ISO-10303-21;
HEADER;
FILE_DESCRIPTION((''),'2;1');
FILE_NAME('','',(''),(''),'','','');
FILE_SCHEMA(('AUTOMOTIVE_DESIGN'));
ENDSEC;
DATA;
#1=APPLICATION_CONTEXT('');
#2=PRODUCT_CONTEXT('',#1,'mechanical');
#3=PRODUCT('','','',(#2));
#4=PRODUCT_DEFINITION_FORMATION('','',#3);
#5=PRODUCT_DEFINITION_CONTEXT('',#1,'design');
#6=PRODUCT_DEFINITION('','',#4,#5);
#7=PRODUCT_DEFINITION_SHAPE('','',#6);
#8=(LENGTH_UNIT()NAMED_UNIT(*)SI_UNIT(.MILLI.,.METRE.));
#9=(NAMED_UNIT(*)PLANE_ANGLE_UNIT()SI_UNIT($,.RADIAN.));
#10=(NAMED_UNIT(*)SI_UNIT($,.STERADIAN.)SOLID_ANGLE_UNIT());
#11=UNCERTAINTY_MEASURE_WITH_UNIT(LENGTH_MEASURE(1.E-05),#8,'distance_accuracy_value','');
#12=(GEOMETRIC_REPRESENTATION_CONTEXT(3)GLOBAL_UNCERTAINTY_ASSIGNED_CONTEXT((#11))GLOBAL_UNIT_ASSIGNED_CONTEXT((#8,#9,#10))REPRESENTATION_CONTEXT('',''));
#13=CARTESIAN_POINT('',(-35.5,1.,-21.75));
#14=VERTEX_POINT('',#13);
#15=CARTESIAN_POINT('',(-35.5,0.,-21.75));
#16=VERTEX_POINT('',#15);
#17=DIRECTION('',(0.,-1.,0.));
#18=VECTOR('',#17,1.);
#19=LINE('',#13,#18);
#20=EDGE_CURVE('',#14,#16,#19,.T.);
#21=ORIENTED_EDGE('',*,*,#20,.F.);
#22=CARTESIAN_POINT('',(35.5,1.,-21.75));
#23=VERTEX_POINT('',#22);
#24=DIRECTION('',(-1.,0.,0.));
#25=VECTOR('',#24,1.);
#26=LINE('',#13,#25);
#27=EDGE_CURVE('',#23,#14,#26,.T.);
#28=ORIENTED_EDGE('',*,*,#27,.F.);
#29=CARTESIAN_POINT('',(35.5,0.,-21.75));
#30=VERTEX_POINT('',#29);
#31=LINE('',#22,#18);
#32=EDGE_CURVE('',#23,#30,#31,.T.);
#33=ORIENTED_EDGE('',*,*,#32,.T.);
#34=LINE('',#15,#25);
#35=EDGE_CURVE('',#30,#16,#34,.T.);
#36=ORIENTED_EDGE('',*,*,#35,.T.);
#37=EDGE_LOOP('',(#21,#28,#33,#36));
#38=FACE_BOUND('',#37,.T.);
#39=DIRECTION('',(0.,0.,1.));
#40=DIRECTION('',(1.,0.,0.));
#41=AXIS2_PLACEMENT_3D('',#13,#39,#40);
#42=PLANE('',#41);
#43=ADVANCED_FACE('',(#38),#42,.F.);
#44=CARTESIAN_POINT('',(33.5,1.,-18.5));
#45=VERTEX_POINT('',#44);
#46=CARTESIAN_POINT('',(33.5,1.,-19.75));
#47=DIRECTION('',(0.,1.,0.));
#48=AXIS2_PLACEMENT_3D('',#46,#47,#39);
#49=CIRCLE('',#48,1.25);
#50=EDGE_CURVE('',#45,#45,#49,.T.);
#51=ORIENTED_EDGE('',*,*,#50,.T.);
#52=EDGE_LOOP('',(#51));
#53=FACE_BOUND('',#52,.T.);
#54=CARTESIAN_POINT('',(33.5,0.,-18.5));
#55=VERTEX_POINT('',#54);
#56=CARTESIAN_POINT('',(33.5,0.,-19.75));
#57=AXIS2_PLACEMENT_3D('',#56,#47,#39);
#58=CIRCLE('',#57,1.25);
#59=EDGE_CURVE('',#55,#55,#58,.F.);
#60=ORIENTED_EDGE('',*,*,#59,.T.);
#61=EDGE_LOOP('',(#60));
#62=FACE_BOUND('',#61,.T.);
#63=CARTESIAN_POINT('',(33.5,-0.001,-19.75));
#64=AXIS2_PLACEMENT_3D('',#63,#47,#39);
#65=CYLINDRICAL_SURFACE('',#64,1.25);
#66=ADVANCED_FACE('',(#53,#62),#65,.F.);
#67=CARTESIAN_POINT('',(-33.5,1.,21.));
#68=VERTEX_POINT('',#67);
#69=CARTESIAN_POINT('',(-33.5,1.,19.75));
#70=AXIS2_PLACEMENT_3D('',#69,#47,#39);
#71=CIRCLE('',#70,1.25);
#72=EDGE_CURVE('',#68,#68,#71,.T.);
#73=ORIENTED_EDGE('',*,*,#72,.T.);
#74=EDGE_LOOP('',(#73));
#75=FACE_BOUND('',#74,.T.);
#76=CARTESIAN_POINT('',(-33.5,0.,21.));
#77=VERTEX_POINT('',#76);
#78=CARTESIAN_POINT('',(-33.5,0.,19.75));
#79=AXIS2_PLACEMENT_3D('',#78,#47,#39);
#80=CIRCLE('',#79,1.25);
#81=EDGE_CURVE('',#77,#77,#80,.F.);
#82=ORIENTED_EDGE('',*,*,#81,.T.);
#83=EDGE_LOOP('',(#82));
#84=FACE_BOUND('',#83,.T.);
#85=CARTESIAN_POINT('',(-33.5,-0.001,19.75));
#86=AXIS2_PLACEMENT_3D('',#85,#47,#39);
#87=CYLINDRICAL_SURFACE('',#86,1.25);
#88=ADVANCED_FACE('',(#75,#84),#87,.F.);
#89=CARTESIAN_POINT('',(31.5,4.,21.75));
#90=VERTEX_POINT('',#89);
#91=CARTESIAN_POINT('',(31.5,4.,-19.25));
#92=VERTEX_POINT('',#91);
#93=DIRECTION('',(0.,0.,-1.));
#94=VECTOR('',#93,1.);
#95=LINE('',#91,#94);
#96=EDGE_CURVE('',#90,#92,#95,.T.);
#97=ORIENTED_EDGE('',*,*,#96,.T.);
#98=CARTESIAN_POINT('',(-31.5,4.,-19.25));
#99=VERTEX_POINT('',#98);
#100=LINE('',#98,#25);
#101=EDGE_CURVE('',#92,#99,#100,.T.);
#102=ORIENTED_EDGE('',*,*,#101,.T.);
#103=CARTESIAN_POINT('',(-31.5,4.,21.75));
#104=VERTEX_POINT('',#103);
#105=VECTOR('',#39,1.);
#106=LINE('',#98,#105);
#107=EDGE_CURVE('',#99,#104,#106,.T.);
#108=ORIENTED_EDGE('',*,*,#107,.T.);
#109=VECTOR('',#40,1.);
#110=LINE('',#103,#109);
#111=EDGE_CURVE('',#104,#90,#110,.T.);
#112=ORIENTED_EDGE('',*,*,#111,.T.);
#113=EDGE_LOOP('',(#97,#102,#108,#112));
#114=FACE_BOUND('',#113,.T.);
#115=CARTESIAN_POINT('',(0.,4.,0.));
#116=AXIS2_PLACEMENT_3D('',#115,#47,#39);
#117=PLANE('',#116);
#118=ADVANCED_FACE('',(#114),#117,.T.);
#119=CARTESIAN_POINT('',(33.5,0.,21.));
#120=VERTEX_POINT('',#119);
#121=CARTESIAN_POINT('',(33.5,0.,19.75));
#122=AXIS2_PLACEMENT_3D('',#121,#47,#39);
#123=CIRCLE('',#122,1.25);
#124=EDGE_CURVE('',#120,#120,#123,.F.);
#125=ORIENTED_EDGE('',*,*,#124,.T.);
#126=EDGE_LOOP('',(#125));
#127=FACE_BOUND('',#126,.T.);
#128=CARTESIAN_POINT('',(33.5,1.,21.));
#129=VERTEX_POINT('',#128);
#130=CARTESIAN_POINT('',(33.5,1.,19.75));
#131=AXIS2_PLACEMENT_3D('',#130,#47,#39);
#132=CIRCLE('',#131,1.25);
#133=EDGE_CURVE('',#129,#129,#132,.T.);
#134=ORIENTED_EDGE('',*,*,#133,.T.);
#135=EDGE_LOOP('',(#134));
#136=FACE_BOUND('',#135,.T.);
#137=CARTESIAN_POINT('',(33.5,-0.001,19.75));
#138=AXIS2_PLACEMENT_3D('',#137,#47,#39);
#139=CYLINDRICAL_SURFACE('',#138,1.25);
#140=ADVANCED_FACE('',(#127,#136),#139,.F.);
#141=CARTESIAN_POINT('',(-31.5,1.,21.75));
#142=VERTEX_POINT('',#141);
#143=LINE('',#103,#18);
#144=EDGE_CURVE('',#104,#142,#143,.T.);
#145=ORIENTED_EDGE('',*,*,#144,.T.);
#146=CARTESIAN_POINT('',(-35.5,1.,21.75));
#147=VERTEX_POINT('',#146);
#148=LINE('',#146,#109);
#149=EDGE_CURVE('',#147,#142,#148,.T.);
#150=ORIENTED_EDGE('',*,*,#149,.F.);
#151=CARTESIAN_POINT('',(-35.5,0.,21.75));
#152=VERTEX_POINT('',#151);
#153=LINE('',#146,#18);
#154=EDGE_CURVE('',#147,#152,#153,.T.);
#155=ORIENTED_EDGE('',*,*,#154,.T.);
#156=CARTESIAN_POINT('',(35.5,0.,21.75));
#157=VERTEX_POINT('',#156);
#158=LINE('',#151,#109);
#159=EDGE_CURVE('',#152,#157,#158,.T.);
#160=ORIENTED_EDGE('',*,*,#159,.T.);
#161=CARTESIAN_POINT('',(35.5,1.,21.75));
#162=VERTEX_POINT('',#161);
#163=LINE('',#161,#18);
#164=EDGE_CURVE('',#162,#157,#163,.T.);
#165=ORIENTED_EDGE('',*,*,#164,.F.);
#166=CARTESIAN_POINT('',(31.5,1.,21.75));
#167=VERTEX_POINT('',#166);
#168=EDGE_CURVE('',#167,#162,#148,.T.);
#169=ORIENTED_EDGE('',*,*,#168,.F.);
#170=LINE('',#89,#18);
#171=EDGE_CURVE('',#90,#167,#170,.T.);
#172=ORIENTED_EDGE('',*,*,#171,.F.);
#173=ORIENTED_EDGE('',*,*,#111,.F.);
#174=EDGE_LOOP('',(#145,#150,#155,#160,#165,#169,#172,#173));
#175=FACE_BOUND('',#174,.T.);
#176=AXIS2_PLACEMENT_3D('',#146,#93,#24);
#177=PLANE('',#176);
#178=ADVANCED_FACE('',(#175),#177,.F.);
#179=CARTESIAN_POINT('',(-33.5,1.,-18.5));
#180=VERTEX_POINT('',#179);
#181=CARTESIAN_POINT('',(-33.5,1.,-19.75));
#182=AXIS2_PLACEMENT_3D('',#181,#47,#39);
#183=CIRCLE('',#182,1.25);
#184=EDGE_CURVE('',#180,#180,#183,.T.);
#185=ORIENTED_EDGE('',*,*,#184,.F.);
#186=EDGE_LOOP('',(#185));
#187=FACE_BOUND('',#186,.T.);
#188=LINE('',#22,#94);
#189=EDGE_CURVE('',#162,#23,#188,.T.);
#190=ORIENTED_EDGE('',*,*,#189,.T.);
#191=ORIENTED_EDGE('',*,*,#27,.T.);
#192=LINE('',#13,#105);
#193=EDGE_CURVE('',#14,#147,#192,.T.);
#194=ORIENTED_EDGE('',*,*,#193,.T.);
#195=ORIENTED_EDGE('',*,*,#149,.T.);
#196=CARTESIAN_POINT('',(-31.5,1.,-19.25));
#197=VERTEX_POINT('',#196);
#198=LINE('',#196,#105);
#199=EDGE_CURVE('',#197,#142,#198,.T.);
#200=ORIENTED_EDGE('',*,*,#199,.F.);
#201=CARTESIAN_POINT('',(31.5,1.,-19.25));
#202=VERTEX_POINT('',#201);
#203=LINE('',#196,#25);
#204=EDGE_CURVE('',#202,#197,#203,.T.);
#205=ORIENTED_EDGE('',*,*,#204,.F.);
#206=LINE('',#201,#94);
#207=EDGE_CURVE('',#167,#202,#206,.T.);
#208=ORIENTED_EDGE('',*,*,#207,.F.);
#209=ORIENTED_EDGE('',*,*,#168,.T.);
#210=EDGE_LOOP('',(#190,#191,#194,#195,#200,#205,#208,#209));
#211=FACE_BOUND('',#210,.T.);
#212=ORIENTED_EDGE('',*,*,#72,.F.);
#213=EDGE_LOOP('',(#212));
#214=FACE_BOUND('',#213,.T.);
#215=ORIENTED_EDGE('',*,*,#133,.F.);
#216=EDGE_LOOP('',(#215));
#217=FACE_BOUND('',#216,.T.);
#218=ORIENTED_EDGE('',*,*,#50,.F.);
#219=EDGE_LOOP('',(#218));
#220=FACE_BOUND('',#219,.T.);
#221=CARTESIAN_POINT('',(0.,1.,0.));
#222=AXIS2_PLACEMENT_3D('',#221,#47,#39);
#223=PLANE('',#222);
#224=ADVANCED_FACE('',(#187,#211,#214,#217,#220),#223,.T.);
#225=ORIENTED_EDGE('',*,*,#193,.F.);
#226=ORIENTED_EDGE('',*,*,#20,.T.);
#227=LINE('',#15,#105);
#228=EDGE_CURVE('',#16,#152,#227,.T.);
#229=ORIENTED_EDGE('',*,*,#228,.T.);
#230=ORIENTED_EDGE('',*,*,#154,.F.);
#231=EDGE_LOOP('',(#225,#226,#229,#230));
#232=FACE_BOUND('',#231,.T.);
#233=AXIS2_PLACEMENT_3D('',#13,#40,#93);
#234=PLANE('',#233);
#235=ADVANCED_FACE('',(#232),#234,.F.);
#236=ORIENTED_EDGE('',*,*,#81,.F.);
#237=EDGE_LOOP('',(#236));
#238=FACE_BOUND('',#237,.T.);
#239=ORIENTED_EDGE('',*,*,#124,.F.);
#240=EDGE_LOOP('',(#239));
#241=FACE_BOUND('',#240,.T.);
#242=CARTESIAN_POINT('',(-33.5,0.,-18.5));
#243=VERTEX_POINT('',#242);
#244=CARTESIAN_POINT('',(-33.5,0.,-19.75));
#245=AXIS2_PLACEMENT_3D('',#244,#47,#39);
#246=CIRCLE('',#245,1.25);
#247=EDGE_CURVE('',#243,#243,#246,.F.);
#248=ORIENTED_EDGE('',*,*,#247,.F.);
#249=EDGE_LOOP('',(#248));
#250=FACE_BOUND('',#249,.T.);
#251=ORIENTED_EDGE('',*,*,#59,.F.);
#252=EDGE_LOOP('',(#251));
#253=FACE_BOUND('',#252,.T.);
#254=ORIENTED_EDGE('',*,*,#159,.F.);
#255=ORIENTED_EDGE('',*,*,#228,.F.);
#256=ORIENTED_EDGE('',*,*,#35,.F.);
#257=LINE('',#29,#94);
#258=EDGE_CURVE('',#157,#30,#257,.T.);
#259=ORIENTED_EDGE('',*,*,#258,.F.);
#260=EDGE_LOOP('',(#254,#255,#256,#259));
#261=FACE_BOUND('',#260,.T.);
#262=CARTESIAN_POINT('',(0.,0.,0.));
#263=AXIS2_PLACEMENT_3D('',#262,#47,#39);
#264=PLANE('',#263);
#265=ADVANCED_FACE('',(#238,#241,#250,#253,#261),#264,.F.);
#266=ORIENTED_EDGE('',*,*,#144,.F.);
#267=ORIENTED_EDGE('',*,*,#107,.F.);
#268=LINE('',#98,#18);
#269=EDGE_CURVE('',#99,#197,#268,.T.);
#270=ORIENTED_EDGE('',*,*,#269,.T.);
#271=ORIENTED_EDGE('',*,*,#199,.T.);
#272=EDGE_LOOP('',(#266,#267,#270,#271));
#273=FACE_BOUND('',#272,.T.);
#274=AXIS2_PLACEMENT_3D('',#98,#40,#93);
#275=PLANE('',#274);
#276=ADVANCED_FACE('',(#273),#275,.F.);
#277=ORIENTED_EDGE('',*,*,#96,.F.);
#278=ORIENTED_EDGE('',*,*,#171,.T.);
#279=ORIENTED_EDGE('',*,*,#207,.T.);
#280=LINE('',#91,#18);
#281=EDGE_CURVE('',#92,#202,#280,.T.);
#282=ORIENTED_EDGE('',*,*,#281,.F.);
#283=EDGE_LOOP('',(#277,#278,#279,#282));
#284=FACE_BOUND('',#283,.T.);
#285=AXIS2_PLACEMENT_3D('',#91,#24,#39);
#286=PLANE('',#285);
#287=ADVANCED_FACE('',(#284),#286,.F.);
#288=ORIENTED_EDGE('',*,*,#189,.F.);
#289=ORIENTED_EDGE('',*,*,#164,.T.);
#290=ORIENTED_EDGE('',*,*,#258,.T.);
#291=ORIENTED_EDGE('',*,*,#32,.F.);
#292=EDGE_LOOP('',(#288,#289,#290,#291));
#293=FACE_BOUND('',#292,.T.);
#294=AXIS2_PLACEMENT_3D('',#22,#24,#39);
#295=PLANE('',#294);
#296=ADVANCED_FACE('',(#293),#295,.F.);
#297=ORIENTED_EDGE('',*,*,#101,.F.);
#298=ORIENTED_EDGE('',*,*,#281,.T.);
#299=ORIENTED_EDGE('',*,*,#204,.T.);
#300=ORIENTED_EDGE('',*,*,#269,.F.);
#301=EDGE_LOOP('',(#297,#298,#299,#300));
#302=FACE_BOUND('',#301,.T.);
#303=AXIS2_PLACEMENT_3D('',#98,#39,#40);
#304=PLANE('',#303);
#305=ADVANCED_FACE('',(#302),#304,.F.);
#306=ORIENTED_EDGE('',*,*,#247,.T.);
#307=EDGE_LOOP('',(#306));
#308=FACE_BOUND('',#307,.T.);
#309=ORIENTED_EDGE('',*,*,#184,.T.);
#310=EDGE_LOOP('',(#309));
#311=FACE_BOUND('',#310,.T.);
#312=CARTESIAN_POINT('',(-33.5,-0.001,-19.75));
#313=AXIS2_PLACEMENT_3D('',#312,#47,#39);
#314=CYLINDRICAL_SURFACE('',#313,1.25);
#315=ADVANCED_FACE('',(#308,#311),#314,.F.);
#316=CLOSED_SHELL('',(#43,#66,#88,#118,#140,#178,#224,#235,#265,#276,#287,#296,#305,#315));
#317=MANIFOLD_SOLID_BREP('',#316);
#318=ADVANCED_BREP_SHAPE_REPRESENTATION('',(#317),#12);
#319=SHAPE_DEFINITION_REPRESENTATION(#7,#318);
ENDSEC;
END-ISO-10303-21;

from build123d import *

# Parameters (mm, degrees)
SKETCH_1_W          = 71
SKETCH_1_H          = 43.5
EXTRUDE_1_DEPTH     = 1
CUT_EXTRUDE_1_REACH = 43.645
SKETCH_6_R          = 1.25
SKETCH_4_W          = 63
SKETCH_4_H          = 41
EXTRUDE_2_DEPTH     = 3


with BuildPart() as part:
    # 草图1 → 凸台-拉伸1 (new body)
    with BuildSketch(Plane(origin=(0, 0, 0), x_dir=(1, 0, 0), z_dir=(0, 1, 0))):
        Rectangle(SKETCH_1_W, SKETCH_1_H)
    extrude(amount=EXTRUDE_1_DEPTH)

    # 草图6 → 切除-拉伸1 (cut, up to next)
    with BuildSketch(Plane(origin=(0, 1, 0), x_dir=(1, 0, 0), z_dir=(0, 1, 0)), mode=Mode.PRIVATE) as cut_extrude_1_sk1:
        with Locations(Location((-33.5, 19.75, 0), (0, 0, 270))):
            Circle(SKETCH_6_R)
    cut_extrude_1_tool1 = extrude(cut_extrude_1_sk1.sketch, amount=-CUT_EXTRUDE_1_REACH, mode=Mode.PRIVATE) & part.part
    # 草图6 → 切除-拉伸1 (cut, up to next)
    with BuildSketch(Plane(origin=(0, 1, 0), x_dir=(1, 0, 0), z_dir=(0, 1, 0)), mode=Mode.PRIVATE) as cut_extrude_1_sk2:
        with Locations(Location((33.5, 19.75, 0), (0, 0, 270))):
            Circle(SKETCH_6_R)
    cut_extrude_1_tool2 = extrude(cut_extrude_1_sk2.sketch, amount=-CUT_EXTRUDE_1_REACH, mode=Mode.PRIVATE) & part.part
    # 草图6 → 切除-拉伸1 (cut, up to next)
    with BuildSketch(Plane(origin=(0, 1, 0), x_dir=(1, 0, 0), z_dir=(0, 1, 0)), mode=Mode.PRIVATE) as cut_extrude_1_sk3:
        with Locations(Location((33.5, -19.75, 0), (0, 0, 270))):
            Circle(SKETCH_6_R)
    cut_extrude_1_tool3 = extrude(cut_extrude_1_sk3.sketch, amount=-CUT_EXTRUDE_1_REACH, mode=Mode.PRIVATE) & part.part
    # 草图6 → 切除-拉伸1 (cut, up to next)
    with BuildSketch(Plane(origin=(0, 1, 0), x_dir=(1, 0, 0), z_dir=(0, 1, 0)), mode=Mode.PRIVATE) as cut_extrude_1_sk4:
        with Locations(Location((-33.5, -19.75, 0), (0, 0, 270))):
            Circle(SKETCH_6_R)
    cut_extrude_1_tool4 = extrude(cut_extrude_1_sk4.sketch, amount=-CUT_EXTRUDE_1_REACH, mode=Mode.PRIVATE) & part.part
    add(cut_extrude_1_tool1.solids().sort_by_distance((-33.5, 1, -19.75))[0], mode=Mode.SUBTRACT)
    add(cut_extrude_1_tool2.solids().sort_by_distance((33.5, 1, -19.75))[0], mode=Mode.SUBTRACT)
    add(cut_extrude_1_tool3.solids().sort_by_distance((33.5, 1, 19.75))[0], mode=Mode.SUBTRACT)
    add(cut_extrude_1_tool4.solids().sort_by_distance((-33.5, 1, 19.75))[0], mode=Mode.SUBTRACT)

    # 草图4 → 凸台-拉伸2 (add)
    with BuildSketch(Plane(origin=(0, 1, 0), x_dir=(1, 0, 0), z_dir=(0, 1, 0))):
        with Locations((0, -1.25)):
            Rectangle(SKETCH_4_W, SKETCH_4_H)
    extrude(amount=EXTRUDE_2_DEPTH)


solid = part.part
